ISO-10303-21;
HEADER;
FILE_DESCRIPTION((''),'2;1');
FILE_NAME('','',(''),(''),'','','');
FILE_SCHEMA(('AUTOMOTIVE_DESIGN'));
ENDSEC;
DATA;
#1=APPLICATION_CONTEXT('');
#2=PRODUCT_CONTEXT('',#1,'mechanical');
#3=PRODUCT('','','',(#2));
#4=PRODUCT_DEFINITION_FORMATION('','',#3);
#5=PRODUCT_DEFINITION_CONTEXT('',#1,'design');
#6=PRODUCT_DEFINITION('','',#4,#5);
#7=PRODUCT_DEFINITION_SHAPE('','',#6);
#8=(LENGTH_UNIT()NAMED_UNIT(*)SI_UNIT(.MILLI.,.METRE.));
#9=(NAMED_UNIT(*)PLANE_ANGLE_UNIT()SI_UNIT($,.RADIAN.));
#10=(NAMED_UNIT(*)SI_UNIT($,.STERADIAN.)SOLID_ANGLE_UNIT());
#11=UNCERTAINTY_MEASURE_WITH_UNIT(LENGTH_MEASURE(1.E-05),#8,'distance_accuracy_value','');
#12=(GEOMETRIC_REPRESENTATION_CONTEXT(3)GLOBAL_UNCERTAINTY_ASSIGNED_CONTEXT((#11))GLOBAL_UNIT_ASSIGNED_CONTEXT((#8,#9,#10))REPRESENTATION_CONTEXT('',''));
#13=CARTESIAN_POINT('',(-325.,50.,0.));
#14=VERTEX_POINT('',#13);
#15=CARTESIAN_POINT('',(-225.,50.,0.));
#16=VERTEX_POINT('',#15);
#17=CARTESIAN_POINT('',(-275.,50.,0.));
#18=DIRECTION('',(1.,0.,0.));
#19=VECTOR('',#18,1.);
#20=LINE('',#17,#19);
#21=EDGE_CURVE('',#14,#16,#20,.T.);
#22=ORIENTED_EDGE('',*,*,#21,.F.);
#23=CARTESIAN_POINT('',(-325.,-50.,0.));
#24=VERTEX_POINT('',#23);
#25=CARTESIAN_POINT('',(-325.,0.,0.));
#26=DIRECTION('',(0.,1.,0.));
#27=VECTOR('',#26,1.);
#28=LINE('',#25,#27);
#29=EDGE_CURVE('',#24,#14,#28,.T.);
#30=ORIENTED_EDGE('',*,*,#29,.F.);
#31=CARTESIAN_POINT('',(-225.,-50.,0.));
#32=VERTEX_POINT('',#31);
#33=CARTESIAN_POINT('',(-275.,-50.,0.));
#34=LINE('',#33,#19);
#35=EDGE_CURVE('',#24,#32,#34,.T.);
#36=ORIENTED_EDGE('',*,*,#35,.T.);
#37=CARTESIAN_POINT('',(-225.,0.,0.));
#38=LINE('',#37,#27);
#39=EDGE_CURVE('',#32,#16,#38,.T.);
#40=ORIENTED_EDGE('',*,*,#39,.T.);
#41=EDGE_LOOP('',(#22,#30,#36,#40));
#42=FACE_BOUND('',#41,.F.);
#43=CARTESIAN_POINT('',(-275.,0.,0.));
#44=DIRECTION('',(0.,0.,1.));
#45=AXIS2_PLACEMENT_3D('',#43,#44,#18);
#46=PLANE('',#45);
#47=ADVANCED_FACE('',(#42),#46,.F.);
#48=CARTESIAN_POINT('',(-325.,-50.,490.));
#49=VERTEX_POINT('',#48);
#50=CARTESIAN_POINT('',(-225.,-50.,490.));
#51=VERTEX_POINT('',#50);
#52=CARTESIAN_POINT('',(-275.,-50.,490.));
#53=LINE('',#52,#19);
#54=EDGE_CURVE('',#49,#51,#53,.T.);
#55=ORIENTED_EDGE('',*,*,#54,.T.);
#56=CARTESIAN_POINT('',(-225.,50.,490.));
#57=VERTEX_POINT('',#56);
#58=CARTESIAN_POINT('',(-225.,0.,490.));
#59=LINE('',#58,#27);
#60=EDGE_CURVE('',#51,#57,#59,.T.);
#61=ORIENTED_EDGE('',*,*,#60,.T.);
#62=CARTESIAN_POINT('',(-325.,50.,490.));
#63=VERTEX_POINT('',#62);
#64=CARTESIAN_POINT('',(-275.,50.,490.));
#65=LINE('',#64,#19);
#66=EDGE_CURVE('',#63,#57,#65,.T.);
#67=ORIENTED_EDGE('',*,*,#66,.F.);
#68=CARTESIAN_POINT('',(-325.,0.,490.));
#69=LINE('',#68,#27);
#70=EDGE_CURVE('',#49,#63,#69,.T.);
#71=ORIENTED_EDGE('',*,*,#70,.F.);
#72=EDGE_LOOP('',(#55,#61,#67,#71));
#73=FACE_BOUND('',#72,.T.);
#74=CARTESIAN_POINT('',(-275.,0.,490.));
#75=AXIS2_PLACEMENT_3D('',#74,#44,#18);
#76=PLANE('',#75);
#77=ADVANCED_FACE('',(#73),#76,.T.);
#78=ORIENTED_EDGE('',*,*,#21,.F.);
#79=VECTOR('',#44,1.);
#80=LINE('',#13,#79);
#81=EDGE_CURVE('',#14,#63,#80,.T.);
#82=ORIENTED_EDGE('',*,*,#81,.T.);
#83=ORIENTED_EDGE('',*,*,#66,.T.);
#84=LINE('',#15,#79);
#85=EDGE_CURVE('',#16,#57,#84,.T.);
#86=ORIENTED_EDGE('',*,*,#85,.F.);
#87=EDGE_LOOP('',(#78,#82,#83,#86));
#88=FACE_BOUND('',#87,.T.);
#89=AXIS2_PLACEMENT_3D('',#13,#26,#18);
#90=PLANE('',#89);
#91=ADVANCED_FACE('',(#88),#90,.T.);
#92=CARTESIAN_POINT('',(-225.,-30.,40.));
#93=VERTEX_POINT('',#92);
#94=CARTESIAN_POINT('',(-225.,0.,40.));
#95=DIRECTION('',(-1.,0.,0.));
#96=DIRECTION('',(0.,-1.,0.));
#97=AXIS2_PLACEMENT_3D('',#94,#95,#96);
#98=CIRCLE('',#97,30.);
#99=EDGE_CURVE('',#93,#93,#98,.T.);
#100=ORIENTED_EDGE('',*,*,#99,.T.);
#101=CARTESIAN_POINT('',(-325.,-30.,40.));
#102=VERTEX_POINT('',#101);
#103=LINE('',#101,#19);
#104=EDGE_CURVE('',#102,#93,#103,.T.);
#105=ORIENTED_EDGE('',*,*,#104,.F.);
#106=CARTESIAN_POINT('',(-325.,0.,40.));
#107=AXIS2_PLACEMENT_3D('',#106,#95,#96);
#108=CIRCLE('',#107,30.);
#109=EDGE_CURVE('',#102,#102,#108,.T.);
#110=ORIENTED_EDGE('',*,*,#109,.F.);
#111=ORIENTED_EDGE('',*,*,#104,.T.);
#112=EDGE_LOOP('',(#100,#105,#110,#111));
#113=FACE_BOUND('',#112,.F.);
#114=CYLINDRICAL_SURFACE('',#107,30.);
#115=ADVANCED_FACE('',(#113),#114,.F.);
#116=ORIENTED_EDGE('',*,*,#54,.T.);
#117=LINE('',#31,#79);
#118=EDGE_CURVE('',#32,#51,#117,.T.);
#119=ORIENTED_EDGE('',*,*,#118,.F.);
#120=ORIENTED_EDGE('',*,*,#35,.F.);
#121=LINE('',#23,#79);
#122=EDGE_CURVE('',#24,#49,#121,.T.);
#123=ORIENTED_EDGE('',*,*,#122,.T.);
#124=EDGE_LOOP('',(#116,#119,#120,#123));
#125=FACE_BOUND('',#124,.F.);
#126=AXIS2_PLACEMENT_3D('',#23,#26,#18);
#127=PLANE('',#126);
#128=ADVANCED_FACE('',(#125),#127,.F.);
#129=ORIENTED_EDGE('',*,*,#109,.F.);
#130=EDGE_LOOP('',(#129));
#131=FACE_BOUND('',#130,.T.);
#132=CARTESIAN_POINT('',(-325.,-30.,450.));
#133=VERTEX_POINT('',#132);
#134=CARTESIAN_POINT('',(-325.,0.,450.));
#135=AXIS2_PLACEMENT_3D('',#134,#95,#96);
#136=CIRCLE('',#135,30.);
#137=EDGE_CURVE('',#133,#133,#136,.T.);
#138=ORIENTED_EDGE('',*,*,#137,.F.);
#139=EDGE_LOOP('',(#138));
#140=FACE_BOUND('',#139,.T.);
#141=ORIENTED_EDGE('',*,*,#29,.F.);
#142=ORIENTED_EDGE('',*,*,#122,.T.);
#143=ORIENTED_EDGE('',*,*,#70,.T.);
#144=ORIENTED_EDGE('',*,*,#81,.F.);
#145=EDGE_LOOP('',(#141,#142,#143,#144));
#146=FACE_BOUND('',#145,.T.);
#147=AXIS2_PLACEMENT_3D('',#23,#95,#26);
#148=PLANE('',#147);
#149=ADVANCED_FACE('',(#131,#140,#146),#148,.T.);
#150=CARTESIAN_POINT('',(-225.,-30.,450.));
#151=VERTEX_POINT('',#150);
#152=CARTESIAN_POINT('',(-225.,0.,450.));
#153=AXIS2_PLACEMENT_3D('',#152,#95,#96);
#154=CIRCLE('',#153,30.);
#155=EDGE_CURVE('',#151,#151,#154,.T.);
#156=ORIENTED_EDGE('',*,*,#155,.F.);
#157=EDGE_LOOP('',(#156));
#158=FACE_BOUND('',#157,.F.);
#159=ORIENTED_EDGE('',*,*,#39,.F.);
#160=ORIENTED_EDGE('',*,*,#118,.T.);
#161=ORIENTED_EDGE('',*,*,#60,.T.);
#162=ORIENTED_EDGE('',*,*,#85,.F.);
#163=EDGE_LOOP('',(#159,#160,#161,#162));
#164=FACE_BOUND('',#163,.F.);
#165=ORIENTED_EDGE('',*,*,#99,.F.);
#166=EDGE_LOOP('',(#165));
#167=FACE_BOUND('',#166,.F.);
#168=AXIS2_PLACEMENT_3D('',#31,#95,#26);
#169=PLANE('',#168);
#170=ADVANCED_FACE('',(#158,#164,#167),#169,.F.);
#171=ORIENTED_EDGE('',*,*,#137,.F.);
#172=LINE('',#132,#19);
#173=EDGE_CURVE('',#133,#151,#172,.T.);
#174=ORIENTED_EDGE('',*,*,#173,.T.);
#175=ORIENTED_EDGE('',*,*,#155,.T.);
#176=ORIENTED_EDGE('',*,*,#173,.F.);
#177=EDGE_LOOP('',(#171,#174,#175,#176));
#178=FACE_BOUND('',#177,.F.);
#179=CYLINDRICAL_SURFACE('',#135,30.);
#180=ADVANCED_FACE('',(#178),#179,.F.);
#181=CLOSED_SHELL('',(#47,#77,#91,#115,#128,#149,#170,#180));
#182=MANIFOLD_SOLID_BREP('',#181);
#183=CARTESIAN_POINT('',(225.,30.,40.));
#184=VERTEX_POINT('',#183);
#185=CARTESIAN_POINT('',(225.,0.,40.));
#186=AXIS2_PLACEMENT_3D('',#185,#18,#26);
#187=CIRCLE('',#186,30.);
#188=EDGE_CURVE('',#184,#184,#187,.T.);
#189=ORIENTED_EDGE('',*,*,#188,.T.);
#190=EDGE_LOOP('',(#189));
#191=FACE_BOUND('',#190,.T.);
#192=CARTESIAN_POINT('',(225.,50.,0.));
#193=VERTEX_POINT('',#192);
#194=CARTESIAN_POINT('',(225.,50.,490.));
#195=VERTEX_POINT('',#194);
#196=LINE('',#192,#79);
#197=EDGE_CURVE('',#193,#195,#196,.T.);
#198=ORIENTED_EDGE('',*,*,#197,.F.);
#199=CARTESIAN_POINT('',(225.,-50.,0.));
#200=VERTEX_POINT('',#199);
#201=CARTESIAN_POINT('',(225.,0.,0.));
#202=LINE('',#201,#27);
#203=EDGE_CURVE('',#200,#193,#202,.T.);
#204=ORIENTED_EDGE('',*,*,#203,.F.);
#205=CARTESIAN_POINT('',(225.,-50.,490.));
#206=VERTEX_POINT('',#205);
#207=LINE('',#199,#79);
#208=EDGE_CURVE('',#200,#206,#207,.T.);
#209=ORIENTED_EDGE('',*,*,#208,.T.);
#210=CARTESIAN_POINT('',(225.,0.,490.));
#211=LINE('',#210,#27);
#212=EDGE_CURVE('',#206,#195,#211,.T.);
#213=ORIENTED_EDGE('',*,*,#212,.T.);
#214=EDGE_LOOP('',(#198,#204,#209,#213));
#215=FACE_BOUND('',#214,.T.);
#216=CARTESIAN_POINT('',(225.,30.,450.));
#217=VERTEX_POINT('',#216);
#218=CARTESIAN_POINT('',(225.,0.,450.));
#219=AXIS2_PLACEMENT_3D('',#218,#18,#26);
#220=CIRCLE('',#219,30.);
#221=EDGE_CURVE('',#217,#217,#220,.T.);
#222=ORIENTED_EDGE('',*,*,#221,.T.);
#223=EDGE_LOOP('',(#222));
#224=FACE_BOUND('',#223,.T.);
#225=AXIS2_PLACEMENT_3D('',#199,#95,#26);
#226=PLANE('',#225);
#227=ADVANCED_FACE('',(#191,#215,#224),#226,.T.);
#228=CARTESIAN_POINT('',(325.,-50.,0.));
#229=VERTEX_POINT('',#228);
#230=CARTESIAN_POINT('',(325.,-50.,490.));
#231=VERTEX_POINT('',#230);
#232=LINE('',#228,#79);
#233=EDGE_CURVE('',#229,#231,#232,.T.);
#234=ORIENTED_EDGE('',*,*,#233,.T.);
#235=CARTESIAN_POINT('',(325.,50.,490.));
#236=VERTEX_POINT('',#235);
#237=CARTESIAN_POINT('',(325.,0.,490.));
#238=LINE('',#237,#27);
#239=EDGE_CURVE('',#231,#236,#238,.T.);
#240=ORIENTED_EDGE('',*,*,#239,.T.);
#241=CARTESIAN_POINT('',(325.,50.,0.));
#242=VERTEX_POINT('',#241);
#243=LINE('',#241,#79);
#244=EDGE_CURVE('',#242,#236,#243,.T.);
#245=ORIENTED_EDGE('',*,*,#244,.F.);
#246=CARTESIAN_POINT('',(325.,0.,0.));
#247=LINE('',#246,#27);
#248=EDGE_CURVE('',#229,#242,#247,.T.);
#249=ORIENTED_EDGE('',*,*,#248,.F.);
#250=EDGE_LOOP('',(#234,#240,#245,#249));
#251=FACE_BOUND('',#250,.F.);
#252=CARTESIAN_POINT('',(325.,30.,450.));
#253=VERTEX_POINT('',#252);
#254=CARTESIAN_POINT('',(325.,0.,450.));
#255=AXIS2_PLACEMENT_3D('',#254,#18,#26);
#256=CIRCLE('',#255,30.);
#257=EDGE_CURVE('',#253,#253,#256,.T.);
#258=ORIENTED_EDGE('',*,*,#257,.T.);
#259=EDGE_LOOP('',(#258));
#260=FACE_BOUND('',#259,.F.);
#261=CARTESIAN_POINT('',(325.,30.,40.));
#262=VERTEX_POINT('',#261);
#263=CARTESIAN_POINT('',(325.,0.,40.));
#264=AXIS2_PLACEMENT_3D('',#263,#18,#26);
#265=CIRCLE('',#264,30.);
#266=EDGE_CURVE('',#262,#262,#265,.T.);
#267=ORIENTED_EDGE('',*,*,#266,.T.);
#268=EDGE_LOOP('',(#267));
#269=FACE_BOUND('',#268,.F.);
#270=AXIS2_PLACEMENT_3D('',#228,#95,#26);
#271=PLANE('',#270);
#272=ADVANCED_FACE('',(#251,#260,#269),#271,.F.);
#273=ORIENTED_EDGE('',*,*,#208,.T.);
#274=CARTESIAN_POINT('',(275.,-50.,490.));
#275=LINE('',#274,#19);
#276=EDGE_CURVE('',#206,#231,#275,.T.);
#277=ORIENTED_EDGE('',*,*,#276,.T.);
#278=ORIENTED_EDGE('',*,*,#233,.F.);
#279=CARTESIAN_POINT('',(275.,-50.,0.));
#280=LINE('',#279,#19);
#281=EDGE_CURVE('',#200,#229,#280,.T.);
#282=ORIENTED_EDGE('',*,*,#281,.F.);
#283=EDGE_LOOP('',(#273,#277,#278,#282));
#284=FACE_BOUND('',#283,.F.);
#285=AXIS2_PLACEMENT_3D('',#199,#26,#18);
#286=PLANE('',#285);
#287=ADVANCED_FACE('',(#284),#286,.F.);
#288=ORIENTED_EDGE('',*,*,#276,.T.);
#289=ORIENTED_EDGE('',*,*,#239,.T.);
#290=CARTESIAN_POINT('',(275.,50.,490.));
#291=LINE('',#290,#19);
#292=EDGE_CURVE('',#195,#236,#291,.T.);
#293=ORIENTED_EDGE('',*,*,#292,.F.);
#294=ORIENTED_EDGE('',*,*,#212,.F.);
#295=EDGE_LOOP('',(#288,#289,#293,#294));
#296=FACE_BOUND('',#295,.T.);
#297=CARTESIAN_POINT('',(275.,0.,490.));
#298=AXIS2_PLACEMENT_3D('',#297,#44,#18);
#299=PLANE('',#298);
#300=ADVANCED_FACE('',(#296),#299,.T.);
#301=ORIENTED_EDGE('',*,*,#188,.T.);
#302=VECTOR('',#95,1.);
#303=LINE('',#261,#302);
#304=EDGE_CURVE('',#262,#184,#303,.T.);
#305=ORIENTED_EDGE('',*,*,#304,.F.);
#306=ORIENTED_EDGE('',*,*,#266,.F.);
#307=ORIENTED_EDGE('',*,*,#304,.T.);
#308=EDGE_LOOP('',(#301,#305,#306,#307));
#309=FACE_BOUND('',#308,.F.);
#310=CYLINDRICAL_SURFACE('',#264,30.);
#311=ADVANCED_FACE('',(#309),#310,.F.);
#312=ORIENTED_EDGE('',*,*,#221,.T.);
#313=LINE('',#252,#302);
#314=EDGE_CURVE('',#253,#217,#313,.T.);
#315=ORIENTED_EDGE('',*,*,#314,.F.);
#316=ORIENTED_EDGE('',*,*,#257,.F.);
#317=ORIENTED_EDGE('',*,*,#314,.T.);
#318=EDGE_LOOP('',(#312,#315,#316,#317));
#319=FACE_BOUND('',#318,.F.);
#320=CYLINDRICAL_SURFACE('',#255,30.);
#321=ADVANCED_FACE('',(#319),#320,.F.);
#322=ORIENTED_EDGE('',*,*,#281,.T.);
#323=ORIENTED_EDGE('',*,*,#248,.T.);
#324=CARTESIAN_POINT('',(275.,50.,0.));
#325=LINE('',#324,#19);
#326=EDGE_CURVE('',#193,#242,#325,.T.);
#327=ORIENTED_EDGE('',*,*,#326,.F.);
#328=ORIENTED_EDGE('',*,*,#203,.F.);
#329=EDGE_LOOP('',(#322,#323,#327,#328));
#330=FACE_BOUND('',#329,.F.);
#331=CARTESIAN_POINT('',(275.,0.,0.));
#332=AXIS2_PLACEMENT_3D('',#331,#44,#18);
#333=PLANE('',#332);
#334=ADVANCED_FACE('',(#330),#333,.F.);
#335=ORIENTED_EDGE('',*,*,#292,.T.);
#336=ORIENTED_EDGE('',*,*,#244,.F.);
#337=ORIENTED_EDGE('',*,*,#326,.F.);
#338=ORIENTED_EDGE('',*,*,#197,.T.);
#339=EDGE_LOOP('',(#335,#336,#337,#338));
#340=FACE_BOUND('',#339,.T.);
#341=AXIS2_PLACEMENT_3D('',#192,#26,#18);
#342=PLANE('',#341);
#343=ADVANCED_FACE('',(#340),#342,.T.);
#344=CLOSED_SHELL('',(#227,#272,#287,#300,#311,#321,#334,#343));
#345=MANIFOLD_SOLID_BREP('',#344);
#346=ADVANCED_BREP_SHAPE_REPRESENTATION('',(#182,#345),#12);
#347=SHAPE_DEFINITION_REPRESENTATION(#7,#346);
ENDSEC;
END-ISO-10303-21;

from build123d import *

# Parameters (mm, degrees)
F0_W     = 100
F0_H     = 100
F1_DEPTH = 490
F2_R     = 30
F3_DEPTH = 100
F4_R     = 30
F5_DEPTH = 100
F6_R     = 30
F7_DEPTH = 100
F8_R     = 30
F9_DEPTH = 100


with BuildPart() as f1:
    # F0 (on Top) → F1 (new body)
    with BuildSketch(Plane.XY):
        with Locations((-275, 0)):
            Rectangle(F0_W, F0_H)
        with Locations((275, 0)):
            Rectangle(F0_W, F0_H)
    extrude(amount=F1_DEPTH)

    # F2 (on face) → F3 (cut)
    with BuildSketch(Plane(origin=(-325, 0, 0), x_dir=(0, -1, 0), z_dir=(-1, 0, 0))):
        with Locations((0, 450)):
            Circle(F2_R)
    extrude(amount=-F3_DEPTH, mode=Mode.SUBTRACT)

    # F4 (on face) → F5 (cut)
    with BuildSketch(Plane.YZ.offset(325)):
        with Locations((0, 450)):
            Circle(F4_R)
    extrude(amount=-F5_DEPTH, mode=Mode.SUBTRACT)

    # F6 (on face) → F7 (cut)
    with BuildSketch(Plane(origin=(-325, 0, 0), x_dir=(0, -1, 0), z_dir=(-1, 0, 0))):
        with Locations((0, 40)):
            Circle(F6_R)
    extrude(amount=-F7_DEPTH, mode=Mode.SUBTRACT)

    # F8 (on face) → F9 (cut)
    with BuildSketch(Plane.YZ.offset(325)):
        with Locations((0, 40)):
            Circle(F8_R)
    extrude(amount=-F9_DEPTH, mode=Mode.SUBTRACT)


solid = f1.part
